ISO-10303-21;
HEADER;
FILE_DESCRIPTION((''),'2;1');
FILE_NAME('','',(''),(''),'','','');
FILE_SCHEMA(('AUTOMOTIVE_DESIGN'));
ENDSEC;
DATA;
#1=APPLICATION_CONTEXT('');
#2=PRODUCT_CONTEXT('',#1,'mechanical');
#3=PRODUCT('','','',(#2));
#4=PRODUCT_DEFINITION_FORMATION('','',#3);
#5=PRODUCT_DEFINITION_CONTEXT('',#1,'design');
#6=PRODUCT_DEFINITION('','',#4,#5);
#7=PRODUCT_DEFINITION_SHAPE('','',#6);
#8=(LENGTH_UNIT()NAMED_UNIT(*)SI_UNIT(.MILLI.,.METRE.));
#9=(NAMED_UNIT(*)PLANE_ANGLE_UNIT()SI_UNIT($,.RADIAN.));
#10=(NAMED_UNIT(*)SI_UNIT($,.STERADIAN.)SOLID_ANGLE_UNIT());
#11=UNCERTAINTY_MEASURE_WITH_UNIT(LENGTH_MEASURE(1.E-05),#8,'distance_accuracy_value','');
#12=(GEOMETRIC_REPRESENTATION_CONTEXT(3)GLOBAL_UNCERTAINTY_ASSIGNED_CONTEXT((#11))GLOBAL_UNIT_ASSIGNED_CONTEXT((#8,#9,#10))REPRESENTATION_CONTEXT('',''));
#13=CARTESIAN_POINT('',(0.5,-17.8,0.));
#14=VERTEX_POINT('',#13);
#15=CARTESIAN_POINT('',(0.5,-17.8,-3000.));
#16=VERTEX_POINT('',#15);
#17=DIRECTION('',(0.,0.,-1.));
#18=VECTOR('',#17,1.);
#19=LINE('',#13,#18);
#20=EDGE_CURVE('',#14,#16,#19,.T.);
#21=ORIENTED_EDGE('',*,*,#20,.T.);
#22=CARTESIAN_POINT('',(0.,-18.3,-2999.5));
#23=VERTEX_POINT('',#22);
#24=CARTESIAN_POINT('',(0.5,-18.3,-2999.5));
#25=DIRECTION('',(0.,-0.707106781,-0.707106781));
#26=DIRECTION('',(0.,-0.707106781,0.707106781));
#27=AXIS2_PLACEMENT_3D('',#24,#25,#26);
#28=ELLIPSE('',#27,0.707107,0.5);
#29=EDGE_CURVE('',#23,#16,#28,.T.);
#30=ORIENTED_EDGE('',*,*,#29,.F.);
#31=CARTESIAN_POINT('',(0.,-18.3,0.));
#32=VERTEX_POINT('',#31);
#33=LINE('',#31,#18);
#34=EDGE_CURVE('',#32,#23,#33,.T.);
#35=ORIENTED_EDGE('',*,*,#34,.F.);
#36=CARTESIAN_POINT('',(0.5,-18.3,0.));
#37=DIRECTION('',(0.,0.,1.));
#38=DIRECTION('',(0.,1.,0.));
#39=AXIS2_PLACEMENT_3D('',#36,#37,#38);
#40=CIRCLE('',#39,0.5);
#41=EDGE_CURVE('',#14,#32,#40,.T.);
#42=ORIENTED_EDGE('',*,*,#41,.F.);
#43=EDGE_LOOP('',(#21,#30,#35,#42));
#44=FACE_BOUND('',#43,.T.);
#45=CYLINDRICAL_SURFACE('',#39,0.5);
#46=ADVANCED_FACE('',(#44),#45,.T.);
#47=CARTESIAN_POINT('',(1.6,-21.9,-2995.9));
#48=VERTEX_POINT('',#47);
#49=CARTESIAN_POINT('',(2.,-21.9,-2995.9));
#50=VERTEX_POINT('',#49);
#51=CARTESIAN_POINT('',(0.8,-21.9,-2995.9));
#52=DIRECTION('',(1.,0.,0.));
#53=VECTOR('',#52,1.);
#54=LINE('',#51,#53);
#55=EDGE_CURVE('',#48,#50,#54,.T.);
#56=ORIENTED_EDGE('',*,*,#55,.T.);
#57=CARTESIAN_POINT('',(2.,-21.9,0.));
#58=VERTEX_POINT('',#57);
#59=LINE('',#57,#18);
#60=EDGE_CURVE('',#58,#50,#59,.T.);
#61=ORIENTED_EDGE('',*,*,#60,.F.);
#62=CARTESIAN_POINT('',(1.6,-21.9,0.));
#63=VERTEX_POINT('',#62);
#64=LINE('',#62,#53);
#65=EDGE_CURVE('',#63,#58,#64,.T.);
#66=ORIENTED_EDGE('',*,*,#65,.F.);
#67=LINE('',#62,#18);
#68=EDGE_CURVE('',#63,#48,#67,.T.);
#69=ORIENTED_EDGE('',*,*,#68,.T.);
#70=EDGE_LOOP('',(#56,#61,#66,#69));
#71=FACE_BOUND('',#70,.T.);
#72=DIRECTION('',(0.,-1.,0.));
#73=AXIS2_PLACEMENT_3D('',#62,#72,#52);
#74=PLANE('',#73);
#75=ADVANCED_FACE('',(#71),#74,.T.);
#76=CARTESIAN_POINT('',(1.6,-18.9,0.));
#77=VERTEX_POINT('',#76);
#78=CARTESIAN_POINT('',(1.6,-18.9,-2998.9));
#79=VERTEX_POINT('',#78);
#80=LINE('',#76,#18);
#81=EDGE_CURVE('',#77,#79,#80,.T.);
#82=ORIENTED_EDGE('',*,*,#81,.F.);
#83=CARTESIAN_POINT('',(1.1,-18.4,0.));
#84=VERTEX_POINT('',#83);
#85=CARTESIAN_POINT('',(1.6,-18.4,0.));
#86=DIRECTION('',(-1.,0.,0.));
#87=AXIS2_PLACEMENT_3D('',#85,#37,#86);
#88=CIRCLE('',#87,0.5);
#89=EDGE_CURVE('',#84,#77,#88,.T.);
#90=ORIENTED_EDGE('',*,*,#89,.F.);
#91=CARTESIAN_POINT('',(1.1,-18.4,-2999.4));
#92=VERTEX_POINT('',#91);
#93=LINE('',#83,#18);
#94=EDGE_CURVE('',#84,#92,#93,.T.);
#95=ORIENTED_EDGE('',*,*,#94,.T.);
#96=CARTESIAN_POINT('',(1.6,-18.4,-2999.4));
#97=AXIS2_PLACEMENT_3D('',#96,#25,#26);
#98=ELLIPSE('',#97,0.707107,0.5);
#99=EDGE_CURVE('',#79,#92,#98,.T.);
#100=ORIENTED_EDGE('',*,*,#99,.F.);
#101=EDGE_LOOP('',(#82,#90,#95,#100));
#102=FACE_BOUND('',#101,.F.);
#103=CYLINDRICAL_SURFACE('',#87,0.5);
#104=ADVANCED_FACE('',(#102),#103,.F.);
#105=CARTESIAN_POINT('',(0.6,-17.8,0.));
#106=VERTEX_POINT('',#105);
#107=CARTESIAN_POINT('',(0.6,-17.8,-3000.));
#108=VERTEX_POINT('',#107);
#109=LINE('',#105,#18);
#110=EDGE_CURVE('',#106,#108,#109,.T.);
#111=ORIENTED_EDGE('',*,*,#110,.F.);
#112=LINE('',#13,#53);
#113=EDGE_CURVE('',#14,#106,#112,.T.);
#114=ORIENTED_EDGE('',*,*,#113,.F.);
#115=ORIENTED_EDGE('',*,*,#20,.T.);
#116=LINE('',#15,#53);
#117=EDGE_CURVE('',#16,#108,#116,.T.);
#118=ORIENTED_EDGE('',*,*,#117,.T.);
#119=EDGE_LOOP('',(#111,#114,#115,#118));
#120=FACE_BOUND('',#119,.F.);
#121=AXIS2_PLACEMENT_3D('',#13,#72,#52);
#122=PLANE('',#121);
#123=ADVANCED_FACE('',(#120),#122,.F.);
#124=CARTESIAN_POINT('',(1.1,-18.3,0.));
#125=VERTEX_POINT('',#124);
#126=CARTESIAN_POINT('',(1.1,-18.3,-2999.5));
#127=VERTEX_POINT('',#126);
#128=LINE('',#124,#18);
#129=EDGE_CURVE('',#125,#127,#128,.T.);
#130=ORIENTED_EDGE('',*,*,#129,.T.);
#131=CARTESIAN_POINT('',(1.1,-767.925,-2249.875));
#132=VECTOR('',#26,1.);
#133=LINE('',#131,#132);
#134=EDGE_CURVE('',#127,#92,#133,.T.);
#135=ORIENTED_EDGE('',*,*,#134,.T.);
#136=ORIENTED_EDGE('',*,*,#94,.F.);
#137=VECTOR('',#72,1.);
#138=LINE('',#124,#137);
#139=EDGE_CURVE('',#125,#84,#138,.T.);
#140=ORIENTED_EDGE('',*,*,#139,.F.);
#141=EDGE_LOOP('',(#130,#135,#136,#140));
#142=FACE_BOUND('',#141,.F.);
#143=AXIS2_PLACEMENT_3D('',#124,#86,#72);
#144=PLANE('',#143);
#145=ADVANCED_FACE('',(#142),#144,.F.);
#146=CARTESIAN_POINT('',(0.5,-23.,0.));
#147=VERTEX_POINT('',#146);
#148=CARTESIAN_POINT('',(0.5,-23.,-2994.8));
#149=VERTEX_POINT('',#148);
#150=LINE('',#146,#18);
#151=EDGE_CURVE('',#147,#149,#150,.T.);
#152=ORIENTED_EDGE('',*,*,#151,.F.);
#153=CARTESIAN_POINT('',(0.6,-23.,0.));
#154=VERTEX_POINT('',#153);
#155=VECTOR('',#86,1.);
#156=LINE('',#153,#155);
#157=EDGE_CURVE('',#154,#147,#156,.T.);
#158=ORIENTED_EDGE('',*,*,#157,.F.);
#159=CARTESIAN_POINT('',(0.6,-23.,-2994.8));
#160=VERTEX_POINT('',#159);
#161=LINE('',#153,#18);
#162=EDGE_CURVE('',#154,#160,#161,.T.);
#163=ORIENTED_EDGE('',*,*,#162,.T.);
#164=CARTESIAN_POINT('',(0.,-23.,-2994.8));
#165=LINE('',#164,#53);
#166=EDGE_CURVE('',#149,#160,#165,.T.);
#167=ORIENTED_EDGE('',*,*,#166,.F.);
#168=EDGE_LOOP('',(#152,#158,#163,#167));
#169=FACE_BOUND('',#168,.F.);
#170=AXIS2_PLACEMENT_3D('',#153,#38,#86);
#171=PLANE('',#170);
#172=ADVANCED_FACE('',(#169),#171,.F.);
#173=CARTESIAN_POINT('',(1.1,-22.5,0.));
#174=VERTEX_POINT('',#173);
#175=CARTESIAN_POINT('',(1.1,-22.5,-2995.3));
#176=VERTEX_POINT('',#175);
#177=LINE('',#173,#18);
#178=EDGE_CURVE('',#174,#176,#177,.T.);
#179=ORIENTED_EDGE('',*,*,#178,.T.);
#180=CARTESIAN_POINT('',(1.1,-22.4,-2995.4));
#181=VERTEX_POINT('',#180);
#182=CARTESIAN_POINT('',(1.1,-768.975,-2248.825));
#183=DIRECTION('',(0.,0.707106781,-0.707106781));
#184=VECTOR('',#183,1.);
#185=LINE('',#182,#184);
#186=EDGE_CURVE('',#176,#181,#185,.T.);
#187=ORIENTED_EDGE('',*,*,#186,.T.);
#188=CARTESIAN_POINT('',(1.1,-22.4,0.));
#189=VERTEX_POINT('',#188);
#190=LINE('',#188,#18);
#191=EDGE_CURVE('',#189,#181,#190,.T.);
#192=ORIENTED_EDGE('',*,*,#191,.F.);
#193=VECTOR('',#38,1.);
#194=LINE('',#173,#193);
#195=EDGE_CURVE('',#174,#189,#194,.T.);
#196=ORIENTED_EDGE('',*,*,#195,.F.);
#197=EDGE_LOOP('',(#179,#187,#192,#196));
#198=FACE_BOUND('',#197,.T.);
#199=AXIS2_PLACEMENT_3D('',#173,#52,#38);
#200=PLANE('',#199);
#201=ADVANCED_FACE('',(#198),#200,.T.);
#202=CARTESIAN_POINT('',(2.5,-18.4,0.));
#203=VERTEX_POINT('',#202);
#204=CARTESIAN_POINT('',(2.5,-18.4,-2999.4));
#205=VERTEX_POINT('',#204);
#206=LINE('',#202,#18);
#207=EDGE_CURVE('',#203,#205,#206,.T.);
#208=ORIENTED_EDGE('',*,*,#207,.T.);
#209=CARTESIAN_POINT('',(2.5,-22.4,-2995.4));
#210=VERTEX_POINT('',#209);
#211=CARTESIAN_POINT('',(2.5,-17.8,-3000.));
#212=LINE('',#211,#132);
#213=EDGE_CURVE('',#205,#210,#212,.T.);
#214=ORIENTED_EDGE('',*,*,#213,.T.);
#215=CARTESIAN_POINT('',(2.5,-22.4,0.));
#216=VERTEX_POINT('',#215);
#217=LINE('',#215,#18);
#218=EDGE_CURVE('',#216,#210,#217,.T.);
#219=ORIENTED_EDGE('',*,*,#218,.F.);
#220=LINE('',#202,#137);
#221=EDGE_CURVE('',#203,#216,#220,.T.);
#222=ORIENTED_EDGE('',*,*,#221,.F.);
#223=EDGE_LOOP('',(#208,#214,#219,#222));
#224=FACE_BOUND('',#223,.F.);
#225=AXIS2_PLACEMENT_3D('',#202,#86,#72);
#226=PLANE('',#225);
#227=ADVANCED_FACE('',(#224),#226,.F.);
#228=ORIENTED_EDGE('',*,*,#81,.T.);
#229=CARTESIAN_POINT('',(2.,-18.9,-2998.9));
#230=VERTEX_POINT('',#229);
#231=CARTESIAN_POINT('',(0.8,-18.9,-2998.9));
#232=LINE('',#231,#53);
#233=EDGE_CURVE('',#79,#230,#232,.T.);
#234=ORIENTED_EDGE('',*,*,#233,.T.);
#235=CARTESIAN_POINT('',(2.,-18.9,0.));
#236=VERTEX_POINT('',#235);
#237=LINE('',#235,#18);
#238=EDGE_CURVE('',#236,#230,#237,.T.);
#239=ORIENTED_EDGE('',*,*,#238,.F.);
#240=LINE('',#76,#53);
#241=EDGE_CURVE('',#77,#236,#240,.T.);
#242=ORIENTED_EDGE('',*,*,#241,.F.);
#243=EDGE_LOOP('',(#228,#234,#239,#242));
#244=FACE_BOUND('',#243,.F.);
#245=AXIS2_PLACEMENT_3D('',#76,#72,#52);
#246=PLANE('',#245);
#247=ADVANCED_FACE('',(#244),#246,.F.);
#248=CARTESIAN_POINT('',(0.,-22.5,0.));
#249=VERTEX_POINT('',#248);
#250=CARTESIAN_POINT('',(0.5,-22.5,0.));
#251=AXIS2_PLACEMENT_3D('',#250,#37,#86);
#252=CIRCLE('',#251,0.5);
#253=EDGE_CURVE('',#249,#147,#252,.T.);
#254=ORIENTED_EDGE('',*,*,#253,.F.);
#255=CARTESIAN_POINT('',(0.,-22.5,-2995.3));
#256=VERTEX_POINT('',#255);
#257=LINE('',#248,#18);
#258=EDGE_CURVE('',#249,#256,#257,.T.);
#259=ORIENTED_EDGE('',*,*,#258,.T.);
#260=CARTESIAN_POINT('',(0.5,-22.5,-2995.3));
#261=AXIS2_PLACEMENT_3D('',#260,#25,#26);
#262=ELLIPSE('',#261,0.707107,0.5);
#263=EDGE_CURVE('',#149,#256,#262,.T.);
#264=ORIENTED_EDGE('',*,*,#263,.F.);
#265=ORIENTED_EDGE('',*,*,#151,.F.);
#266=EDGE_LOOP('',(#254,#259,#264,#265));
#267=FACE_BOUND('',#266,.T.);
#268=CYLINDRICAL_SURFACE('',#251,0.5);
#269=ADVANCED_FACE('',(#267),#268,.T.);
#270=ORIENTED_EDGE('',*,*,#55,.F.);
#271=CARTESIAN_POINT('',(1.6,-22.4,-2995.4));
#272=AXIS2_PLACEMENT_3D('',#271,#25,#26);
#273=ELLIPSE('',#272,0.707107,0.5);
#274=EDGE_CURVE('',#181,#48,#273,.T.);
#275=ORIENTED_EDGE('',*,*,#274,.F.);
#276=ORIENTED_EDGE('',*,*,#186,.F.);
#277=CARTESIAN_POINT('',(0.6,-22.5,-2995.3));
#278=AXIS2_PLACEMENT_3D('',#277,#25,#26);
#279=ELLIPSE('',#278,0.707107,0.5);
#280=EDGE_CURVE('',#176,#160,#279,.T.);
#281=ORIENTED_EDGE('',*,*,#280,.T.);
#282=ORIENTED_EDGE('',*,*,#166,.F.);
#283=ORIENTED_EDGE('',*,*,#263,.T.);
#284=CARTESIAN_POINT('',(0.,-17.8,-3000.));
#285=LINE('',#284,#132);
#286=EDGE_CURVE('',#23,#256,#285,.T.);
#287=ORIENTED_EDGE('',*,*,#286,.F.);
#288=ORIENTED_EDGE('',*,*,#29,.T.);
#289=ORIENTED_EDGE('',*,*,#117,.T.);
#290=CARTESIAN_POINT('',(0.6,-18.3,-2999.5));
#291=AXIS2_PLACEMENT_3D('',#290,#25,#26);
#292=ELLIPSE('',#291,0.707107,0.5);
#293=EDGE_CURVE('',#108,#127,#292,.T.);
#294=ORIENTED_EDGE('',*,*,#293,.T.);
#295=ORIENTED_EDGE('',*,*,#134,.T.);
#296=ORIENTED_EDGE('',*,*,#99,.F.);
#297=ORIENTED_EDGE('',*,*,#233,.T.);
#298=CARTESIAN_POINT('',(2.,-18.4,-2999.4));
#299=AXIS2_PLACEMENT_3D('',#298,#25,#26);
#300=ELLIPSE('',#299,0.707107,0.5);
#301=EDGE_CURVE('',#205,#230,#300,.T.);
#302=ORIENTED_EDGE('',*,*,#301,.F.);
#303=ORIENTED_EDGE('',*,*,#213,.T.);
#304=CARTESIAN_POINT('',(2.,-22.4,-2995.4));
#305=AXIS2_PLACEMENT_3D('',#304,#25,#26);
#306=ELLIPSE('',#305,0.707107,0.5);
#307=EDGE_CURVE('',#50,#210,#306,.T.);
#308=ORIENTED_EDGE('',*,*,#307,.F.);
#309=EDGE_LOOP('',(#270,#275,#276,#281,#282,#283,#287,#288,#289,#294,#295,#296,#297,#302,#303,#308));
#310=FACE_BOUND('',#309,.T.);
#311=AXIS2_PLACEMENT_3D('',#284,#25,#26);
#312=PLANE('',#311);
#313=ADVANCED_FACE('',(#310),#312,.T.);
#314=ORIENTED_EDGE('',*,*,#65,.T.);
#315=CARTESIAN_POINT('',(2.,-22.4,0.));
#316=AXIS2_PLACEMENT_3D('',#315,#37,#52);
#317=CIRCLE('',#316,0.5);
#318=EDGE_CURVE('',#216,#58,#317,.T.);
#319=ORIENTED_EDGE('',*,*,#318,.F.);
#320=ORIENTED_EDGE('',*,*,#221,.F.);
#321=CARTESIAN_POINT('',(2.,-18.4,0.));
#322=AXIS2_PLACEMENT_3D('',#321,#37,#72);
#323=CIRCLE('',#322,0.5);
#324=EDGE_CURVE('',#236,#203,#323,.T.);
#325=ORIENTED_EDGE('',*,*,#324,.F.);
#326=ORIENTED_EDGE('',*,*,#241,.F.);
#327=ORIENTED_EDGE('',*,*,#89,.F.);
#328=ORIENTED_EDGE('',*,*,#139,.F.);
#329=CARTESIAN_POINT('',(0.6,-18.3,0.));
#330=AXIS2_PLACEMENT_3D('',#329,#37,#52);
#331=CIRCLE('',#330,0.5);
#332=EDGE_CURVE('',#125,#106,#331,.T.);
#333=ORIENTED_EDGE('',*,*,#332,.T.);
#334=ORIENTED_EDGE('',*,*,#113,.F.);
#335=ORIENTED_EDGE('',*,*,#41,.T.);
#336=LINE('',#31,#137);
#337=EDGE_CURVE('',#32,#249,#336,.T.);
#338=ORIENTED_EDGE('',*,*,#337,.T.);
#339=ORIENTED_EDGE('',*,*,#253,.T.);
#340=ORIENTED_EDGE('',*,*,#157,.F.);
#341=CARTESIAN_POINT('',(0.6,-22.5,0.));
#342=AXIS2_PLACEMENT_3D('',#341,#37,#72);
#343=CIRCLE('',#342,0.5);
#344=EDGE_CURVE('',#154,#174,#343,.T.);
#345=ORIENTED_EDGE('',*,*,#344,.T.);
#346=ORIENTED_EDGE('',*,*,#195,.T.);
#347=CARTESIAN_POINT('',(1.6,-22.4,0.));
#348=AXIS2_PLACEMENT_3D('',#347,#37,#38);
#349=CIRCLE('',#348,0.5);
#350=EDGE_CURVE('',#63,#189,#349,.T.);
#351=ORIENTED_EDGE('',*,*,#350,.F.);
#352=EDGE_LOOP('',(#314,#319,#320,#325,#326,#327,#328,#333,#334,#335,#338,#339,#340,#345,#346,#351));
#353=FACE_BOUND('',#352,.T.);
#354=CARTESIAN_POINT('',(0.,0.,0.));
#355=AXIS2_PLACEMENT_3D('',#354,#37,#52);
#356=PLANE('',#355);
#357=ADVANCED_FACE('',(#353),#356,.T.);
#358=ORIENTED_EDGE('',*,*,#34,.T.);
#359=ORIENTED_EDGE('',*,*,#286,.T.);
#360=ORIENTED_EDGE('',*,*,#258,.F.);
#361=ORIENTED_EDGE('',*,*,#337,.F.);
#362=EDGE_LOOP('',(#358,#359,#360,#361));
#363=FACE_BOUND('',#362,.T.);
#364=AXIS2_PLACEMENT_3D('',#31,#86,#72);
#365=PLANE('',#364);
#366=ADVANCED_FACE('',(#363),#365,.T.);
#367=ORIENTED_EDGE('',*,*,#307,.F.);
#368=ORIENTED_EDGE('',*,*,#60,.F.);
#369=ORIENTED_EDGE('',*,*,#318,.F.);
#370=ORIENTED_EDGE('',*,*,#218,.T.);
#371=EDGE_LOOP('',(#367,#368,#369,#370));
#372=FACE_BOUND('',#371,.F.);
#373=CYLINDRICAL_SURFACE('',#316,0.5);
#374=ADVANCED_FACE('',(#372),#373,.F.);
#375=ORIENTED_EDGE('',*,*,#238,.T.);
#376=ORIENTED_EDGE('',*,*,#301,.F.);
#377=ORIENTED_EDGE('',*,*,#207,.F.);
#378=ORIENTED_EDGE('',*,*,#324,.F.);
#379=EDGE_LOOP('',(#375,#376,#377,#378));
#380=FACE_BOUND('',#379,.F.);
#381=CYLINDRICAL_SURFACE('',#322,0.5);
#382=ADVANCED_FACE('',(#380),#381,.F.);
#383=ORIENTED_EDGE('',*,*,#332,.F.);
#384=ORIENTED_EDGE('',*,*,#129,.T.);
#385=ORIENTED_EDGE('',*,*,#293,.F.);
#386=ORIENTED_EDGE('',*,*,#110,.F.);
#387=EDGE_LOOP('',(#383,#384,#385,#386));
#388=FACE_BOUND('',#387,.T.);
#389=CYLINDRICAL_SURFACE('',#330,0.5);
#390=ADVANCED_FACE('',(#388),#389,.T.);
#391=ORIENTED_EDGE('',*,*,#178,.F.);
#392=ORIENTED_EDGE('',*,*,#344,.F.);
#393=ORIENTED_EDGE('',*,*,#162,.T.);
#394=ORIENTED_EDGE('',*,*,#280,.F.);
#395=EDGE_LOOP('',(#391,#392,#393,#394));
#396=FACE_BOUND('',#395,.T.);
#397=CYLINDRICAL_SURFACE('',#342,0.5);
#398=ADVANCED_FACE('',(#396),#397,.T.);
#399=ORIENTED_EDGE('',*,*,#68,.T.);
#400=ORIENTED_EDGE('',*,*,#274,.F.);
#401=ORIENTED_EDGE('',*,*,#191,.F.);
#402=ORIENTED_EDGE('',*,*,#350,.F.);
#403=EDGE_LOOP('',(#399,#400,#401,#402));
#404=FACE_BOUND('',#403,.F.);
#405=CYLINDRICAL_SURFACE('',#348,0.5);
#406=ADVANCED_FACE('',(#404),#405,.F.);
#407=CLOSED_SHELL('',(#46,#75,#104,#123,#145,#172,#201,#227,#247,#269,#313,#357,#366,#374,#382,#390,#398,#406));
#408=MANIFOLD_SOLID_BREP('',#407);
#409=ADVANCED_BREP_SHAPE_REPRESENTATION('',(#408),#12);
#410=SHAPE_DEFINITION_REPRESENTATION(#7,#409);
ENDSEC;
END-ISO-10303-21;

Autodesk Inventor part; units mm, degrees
ref_plane "YZ Plane" through (0, 0, 0) normal (1, 0, 0) x (0, 1, 0)
ref_plane "XZ Plane" through (0, 0, 0) normal (0, 1, 0) x (-1, 0, 0)
ref_plane "XY Plane" through (0, 0, 0) normal (0, 0, 1) x (1, 0, 0)
sketch "Boceto1" plane through (0, 0, 0) normal (0, 0, 1) x (1, 0, 0)
  line L0 (0.6, -23) -> (0.5, -23)
  line L1 (0.5, -17.8) -> (0.6, -17.8)
  line L2 (1.1, -18.3) -> (1.1, -18.4)
  line L3 (1.6, -18.9) -> (2, -18.9)
  line L4 (1.1, -22.5) -> (1.1, -22.4)
  line L5 (1.6, -21.9) -> (2, -21.9)
  line L6 (0, -18.3) -> (0, -22.5)
  arc A0 (1.1, -18.4) -> (1.6, -18.9) centre (1.6, -18.4) ccw
  arc A1 (1.1, -18.3) -> (0.6, -17.8) centre (0.6, -18.3) ccw
  arc A2 (2, -18.9) -> (2.5, -18.4) centre (2, -18.4) ccw
  arc A3 (2.5, -22.4) -> (2, -21.9) centre (2, -22.4) ccw
  arc A4 (1.6, -21.9) -> (1.1, -22.4) centre (1.6, -22.4) ccw
  arc A5 (0.6, -23) -> (1.1, -22.5) centre (0.6, -22.5) ccw
  arc A6 (0, -22.5) -> (0.5, -23) centre (0.5, -22.5) ccw
  arc A7 (0.5, -17.8) -> (0, -18.3) centre (0.5, -18.3) ccw
  line L7 (2.5, -18.4) -> (2.5, -22.4)
  point P0 (0, -23)
  point P1 (0, -17.8)
  point P2 (1.1, -21.9)
  point P3 (0, -20.4)
  dimension "d112" = 5.2
  dimension "d115" = 2.6
  dimension "d116" = 2.6
  dimension "d117" = 1.5
  dimension "d118" = 1.5
  dimension "d119" = 3
  dimension "d125" = 1.1
  dimension "d132" = 0.5
  dimension "d133" = 0.5
  dimension "d141" = 0.5
extrude "Extrusión1" add sketch "Boceto1" against normal blind 3000
sketch "Boceto2" plane through (0, -22.9, -942) normal (-1, 0, 0) x (0, 0, 1)
  line L0 (-2058, -0.1) -> (-2058, 5.1)
  line L1 (942, -0.1) -> (-2058, -0.1) projected
  line L2 (-2058, -0.1) -> (-2052.8, -0.1)
  line L3 (-2058, 5.1) -> (-2052.8, -0.1)
  dimension "d147" = 45
extrude "Extrusión2" cut sketch "Boceto2" against normal up to surface (2.5 mm away)
properties part number "SP40-02 JUNTA EXT 2058" material "Caucho, negro"
